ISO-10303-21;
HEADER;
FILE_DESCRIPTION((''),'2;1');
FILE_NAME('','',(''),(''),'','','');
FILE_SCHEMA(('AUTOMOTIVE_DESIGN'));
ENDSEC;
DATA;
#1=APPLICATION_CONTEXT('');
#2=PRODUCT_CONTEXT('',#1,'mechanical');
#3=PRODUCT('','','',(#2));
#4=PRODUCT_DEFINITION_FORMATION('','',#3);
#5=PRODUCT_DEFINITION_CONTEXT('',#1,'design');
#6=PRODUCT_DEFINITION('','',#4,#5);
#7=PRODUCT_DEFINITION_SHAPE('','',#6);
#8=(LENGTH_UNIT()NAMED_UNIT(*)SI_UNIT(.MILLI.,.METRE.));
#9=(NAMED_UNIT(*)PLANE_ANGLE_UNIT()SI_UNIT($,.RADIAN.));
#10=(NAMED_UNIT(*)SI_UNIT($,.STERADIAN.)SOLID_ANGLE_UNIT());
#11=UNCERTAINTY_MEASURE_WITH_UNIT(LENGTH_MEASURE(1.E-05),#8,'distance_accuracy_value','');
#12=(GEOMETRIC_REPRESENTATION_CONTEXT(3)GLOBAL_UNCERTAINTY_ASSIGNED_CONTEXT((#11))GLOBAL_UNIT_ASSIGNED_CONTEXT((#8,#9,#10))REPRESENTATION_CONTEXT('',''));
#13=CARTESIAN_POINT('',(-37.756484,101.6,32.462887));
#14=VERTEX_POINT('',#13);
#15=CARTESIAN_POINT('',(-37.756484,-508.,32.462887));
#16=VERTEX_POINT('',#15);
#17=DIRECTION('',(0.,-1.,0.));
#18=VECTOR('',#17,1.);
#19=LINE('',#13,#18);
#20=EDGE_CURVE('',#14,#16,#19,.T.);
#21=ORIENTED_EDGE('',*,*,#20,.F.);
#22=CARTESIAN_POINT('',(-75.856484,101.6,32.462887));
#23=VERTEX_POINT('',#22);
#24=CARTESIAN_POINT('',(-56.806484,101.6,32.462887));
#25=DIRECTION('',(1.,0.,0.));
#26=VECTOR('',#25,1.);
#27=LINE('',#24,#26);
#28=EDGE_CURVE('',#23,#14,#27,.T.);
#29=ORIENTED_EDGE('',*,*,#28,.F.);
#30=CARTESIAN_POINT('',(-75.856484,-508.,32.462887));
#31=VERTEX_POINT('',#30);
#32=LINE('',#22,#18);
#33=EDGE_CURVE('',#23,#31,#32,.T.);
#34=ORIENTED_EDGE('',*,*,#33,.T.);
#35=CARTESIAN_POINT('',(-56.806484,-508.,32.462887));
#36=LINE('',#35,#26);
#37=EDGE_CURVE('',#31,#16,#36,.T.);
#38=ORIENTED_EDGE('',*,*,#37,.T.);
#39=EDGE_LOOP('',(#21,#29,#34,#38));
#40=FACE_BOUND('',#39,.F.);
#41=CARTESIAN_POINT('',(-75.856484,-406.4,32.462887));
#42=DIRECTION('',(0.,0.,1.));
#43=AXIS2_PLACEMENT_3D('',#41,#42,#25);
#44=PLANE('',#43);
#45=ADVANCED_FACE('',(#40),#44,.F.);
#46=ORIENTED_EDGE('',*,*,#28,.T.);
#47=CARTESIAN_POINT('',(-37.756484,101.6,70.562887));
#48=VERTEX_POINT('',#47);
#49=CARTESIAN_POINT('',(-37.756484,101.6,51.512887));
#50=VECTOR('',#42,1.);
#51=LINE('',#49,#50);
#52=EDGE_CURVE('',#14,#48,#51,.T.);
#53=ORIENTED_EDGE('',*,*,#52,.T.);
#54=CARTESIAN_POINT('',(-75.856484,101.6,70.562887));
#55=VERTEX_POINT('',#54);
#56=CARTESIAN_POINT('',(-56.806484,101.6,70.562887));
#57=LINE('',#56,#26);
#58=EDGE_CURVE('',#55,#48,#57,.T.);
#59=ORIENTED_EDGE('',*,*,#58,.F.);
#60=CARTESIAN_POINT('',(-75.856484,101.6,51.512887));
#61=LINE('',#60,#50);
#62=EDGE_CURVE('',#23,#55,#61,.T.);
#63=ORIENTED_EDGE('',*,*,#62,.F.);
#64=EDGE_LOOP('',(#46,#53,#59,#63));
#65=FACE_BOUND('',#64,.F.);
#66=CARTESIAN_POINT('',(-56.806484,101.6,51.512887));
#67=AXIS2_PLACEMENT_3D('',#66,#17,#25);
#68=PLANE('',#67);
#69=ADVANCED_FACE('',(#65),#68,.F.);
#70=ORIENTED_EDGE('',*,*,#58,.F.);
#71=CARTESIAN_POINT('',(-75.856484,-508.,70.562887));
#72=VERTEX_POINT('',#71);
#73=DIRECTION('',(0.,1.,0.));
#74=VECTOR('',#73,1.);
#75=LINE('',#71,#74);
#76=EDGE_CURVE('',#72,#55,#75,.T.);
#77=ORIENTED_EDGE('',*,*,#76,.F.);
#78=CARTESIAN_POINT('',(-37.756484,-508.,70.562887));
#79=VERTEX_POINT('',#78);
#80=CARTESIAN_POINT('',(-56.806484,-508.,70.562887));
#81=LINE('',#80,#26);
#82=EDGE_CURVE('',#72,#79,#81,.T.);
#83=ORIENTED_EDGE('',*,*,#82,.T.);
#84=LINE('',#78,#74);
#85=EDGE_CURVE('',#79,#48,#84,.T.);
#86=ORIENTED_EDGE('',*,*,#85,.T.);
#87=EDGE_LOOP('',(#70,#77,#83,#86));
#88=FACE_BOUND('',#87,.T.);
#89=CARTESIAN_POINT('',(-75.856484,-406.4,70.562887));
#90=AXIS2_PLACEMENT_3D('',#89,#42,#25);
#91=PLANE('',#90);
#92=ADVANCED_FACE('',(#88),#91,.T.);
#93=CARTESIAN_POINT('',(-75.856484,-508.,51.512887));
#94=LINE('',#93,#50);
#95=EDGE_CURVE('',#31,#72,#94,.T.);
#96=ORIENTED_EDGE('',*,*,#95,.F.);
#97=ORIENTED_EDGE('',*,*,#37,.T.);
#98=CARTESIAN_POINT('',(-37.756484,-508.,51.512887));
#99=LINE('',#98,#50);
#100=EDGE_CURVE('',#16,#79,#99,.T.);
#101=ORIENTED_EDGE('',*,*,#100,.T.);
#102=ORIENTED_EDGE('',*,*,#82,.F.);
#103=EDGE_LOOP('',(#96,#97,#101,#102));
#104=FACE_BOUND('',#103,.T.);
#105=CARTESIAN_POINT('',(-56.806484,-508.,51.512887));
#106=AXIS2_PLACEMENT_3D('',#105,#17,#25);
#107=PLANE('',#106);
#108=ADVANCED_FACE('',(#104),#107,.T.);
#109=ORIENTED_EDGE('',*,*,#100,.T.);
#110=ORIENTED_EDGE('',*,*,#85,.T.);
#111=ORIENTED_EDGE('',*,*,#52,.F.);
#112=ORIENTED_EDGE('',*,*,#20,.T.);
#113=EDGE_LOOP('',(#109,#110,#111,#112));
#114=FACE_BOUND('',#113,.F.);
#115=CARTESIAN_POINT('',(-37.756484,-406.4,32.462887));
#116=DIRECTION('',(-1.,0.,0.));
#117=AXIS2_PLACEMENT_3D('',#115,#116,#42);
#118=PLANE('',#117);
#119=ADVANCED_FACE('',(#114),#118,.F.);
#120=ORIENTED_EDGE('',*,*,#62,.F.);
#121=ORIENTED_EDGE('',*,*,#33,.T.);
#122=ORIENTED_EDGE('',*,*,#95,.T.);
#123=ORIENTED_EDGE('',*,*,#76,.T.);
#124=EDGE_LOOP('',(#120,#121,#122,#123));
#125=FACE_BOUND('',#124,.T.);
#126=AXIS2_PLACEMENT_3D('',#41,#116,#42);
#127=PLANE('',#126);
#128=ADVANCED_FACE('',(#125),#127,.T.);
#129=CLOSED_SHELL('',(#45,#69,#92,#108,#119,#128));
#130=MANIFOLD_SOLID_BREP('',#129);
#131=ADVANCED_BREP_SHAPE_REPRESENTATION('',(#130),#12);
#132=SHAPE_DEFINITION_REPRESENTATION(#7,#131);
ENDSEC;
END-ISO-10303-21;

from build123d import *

# Parameters (mm, degrees)
F0_W     = 38.1
F0_H     = 38.1
F1_DEPTH = 254
F2_DEPTH = 101.6
F3_DEPTH = 152.4
F4_DEPTH = 101.6


with BuildPart() as f1:
    # F0 (on Front) → F1 (new body)
    with BuildSketch(Plane.XZ):
        with Locations((-56.8064840019, 51.512887466)):
            Rectangle(F0_W, F0_H)
    extrude(amount=F1_DEPTH)

    # F2 (add): a face of the model
    f2_faces = [f1.faces().sort_by_distance(p)[0] for p in [
        (-56.8064840019, 0, 51.512887466),
    ]]
    extrude(f2_faces, amount=F2_DEPTH)

    # F3 (add): a face of the model
    f3_faces = [f1.faces().sort_by_distance(p)[0] for p in [
        (-56.8064840019, -254, 51.512887466),
    ]]
    extrude(f3_faces, amount=F3_DEPTH)

    # F4 (add): a face of the model
    f4_faces = [f1.faces().sort_by_distance(p)[0] for p in [
        (-56.8064840019, -406.4, 51.512887466),
    ]]
    extrude(f4_faces, amount=F4_DEPTH)


solid = f1.part
